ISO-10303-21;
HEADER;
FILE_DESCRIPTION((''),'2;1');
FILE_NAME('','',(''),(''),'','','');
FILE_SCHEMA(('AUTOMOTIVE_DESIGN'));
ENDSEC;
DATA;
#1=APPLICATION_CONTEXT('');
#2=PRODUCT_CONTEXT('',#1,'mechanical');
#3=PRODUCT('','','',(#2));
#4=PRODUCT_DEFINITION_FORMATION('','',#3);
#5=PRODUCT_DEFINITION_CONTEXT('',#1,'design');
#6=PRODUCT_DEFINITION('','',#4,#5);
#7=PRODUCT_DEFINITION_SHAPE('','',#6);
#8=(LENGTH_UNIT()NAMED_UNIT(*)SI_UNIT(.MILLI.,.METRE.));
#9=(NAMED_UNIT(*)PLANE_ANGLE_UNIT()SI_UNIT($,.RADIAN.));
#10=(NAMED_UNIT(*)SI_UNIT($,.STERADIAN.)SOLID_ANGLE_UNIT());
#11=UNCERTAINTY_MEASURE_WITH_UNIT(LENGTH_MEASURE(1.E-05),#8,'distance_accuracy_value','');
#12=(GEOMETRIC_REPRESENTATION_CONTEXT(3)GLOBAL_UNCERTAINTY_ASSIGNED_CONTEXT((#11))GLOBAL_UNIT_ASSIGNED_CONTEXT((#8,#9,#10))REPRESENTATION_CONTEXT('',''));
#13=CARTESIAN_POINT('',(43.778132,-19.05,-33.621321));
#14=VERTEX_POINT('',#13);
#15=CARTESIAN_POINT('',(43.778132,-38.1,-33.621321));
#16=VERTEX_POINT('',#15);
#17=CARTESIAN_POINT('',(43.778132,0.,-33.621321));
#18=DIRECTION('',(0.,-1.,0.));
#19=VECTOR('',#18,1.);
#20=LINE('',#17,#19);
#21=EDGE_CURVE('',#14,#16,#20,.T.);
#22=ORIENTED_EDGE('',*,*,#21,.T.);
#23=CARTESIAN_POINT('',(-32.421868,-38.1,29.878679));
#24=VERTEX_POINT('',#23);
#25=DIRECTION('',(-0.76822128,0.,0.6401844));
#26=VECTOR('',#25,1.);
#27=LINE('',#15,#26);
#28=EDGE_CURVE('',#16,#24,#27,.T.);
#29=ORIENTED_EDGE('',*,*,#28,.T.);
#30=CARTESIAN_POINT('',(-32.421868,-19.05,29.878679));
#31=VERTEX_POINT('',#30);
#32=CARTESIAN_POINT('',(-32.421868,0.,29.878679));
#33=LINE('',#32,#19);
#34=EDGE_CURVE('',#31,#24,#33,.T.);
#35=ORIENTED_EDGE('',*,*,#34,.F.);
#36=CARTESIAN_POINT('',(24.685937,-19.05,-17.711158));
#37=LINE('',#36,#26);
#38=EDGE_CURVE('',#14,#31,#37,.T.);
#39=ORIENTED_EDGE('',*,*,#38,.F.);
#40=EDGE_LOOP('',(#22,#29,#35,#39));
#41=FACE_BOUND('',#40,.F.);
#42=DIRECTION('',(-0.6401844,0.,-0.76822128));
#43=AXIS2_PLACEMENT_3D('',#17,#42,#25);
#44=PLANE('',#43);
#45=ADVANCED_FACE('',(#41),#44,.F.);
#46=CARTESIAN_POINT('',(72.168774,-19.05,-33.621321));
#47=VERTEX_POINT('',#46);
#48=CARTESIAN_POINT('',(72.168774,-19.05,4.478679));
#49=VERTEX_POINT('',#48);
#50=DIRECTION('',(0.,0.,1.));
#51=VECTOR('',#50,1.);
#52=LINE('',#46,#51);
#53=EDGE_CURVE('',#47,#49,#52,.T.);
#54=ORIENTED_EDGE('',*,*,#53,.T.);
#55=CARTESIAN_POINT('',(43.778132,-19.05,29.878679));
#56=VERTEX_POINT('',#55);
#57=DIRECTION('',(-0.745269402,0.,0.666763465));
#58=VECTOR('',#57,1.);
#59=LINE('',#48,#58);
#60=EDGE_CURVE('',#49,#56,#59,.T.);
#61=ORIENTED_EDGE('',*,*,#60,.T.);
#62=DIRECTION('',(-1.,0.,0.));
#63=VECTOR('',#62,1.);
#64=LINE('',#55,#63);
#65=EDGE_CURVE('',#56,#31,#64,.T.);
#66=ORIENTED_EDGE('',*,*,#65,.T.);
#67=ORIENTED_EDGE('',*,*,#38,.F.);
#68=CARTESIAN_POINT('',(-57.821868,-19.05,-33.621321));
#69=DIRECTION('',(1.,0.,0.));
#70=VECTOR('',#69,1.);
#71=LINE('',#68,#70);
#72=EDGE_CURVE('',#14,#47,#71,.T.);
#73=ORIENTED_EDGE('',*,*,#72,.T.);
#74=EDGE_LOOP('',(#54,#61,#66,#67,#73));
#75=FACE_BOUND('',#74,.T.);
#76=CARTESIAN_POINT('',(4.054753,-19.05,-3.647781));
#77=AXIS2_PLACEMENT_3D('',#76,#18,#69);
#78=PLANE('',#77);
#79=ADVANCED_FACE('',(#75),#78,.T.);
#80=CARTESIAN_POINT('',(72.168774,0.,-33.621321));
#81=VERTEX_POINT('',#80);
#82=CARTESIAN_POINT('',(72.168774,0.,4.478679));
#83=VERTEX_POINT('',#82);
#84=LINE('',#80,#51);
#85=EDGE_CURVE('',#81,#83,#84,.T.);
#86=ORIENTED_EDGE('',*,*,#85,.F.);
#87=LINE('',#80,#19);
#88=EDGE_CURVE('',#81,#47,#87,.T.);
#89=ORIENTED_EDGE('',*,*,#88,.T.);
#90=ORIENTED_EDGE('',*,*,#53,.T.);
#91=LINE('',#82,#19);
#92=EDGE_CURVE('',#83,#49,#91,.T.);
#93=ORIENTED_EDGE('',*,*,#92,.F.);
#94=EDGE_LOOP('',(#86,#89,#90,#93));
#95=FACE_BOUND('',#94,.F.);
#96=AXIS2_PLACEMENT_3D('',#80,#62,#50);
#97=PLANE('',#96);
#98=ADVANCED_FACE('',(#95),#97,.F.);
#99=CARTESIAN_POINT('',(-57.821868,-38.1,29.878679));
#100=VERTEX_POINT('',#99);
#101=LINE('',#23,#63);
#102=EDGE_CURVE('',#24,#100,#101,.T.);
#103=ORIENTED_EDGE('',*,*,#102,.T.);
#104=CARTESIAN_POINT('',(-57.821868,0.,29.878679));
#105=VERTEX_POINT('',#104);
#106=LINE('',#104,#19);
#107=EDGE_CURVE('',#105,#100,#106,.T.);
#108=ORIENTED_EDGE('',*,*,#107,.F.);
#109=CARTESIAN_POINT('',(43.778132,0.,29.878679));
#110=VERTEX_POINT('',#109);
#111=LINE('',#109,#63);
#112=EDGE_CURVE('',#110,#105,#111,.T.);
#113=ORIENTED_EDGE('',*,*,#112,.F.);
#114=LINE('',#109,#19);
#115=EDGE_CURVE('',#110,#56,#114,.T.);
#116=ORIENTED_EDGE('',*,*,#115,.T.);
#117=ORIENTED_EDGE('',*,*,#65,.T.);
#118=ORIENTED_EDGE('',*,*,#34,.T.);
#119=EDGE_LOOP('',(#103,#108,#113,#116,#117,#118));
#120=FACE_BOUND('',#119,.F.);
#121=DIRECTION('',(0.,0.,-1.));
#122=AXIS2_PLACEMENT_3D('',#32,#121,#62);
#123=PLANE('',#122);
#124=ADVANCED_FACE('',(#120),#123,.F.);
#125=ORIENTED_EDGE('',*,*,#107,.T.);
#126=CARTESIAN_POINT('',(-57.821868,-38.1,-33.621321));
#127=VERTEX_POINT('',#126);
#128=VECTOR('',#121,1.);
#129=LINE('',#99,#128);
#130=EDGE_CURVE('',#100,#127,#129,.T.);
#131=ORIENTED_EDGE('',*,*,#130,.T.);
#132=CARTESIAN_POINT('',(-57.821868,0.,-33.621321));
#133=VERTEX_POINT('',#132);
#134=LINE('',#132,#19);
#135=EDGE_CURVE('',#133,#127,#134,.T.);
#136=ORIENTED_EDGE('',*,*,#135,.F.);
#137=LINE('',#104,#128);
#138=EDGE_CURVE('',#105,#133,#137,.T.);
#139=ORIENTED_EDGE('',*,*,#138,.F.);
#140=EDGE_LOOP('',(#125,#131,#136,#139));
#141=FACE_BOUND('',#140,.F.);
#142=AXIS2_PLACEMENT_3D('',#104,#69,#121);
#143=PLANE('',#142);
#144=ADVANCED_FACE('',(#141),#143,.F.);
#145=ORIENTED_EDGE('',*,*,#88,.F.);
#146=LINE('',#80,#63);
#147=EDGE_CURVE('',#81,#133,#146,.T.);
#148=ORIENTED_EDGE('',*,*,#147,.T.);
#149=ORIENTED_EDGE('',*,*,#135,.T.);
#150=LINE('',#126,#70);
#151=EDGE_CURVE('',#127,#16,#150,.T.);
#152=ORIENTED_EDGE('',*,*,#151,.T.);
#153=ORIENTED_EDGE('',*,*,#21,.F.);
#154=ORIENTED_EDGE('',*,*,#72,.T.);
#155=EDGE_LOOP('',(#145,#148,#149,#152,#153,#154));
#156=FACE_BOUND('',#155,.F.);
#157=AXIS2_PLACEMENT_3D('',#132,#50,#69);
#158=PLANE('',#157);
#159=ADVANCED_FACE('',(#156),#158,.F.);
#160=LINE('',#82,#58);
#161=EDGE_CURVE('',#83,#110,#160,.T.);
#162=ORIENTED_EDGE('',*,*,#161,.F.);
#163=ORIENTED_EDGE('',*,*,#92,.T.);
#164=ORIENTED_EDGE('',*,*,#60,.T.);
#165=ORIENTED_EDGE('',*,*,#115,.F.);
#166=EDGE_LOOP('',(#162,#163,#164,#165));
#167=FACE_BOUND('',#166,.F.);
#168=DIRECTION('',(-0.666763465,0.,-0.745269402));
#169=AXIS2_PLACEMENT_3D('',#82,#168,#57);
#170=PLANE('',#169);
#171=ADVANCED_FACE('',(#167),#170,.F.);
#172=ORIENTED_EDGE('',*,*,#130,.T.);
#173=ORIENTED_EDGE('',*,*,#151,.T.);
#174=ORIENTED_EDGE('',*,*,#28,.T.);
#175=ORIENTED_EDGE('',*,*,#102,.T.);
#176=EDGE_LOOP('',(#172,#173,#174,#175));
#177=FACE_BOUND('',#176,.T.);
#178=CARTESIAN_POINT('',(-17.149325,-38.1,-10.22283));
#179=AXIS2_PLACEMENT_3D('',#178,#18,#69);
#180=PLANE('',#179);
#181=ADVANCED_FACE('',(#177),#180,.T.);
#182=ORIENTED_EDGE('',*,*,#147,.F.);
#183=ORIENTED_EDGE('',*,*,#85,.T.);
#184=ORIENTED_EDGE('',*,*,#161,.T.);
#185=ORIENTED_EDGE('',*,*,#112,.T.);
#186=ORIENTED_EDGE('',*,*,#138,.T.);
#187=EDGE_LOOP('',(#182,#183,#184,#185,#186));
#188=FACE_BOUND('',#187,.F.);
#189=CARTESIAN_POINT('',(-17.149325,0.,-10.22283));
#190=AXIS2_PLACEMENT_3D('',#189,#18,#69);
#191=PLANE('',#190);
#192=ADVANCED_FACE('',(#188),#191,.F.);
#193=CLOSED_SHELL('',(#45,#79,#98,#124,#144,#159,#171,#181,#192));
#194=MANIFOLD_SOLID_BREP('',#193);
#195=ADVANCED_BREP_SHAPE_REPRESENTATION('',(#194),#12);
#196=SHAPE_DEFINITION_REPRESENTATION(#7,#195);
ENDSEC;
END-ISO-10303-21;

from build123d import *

# Parameters (mm, degrees)
F1_DEPTH = 38.1
F3_DEPTH = 19.05


with BuildPart() as f1:
    # F0 (on Front) → F1 (new body)
    with BuildSketch(Plane.XZ):
        Polygon((-32.421868, 29.878679), (-57.821868, 29.878679), (-57.821868, -33.621321), (43.778132, -33.621321), align=None)
    extrude(amount=F1_DEPTH)

    # F2 (on Front) → F3 (join)
    with BuildSketch(Plane.XZ):
        Polygon((-57.821868, 29.878679), (-57.821868, -33.621321), (72.168774, -33.621321), (72.168774, 4.478679), (43.778132, 29.878679), align=None)
    extrude(amount=F3_DEPTH)


solid = f1.part
